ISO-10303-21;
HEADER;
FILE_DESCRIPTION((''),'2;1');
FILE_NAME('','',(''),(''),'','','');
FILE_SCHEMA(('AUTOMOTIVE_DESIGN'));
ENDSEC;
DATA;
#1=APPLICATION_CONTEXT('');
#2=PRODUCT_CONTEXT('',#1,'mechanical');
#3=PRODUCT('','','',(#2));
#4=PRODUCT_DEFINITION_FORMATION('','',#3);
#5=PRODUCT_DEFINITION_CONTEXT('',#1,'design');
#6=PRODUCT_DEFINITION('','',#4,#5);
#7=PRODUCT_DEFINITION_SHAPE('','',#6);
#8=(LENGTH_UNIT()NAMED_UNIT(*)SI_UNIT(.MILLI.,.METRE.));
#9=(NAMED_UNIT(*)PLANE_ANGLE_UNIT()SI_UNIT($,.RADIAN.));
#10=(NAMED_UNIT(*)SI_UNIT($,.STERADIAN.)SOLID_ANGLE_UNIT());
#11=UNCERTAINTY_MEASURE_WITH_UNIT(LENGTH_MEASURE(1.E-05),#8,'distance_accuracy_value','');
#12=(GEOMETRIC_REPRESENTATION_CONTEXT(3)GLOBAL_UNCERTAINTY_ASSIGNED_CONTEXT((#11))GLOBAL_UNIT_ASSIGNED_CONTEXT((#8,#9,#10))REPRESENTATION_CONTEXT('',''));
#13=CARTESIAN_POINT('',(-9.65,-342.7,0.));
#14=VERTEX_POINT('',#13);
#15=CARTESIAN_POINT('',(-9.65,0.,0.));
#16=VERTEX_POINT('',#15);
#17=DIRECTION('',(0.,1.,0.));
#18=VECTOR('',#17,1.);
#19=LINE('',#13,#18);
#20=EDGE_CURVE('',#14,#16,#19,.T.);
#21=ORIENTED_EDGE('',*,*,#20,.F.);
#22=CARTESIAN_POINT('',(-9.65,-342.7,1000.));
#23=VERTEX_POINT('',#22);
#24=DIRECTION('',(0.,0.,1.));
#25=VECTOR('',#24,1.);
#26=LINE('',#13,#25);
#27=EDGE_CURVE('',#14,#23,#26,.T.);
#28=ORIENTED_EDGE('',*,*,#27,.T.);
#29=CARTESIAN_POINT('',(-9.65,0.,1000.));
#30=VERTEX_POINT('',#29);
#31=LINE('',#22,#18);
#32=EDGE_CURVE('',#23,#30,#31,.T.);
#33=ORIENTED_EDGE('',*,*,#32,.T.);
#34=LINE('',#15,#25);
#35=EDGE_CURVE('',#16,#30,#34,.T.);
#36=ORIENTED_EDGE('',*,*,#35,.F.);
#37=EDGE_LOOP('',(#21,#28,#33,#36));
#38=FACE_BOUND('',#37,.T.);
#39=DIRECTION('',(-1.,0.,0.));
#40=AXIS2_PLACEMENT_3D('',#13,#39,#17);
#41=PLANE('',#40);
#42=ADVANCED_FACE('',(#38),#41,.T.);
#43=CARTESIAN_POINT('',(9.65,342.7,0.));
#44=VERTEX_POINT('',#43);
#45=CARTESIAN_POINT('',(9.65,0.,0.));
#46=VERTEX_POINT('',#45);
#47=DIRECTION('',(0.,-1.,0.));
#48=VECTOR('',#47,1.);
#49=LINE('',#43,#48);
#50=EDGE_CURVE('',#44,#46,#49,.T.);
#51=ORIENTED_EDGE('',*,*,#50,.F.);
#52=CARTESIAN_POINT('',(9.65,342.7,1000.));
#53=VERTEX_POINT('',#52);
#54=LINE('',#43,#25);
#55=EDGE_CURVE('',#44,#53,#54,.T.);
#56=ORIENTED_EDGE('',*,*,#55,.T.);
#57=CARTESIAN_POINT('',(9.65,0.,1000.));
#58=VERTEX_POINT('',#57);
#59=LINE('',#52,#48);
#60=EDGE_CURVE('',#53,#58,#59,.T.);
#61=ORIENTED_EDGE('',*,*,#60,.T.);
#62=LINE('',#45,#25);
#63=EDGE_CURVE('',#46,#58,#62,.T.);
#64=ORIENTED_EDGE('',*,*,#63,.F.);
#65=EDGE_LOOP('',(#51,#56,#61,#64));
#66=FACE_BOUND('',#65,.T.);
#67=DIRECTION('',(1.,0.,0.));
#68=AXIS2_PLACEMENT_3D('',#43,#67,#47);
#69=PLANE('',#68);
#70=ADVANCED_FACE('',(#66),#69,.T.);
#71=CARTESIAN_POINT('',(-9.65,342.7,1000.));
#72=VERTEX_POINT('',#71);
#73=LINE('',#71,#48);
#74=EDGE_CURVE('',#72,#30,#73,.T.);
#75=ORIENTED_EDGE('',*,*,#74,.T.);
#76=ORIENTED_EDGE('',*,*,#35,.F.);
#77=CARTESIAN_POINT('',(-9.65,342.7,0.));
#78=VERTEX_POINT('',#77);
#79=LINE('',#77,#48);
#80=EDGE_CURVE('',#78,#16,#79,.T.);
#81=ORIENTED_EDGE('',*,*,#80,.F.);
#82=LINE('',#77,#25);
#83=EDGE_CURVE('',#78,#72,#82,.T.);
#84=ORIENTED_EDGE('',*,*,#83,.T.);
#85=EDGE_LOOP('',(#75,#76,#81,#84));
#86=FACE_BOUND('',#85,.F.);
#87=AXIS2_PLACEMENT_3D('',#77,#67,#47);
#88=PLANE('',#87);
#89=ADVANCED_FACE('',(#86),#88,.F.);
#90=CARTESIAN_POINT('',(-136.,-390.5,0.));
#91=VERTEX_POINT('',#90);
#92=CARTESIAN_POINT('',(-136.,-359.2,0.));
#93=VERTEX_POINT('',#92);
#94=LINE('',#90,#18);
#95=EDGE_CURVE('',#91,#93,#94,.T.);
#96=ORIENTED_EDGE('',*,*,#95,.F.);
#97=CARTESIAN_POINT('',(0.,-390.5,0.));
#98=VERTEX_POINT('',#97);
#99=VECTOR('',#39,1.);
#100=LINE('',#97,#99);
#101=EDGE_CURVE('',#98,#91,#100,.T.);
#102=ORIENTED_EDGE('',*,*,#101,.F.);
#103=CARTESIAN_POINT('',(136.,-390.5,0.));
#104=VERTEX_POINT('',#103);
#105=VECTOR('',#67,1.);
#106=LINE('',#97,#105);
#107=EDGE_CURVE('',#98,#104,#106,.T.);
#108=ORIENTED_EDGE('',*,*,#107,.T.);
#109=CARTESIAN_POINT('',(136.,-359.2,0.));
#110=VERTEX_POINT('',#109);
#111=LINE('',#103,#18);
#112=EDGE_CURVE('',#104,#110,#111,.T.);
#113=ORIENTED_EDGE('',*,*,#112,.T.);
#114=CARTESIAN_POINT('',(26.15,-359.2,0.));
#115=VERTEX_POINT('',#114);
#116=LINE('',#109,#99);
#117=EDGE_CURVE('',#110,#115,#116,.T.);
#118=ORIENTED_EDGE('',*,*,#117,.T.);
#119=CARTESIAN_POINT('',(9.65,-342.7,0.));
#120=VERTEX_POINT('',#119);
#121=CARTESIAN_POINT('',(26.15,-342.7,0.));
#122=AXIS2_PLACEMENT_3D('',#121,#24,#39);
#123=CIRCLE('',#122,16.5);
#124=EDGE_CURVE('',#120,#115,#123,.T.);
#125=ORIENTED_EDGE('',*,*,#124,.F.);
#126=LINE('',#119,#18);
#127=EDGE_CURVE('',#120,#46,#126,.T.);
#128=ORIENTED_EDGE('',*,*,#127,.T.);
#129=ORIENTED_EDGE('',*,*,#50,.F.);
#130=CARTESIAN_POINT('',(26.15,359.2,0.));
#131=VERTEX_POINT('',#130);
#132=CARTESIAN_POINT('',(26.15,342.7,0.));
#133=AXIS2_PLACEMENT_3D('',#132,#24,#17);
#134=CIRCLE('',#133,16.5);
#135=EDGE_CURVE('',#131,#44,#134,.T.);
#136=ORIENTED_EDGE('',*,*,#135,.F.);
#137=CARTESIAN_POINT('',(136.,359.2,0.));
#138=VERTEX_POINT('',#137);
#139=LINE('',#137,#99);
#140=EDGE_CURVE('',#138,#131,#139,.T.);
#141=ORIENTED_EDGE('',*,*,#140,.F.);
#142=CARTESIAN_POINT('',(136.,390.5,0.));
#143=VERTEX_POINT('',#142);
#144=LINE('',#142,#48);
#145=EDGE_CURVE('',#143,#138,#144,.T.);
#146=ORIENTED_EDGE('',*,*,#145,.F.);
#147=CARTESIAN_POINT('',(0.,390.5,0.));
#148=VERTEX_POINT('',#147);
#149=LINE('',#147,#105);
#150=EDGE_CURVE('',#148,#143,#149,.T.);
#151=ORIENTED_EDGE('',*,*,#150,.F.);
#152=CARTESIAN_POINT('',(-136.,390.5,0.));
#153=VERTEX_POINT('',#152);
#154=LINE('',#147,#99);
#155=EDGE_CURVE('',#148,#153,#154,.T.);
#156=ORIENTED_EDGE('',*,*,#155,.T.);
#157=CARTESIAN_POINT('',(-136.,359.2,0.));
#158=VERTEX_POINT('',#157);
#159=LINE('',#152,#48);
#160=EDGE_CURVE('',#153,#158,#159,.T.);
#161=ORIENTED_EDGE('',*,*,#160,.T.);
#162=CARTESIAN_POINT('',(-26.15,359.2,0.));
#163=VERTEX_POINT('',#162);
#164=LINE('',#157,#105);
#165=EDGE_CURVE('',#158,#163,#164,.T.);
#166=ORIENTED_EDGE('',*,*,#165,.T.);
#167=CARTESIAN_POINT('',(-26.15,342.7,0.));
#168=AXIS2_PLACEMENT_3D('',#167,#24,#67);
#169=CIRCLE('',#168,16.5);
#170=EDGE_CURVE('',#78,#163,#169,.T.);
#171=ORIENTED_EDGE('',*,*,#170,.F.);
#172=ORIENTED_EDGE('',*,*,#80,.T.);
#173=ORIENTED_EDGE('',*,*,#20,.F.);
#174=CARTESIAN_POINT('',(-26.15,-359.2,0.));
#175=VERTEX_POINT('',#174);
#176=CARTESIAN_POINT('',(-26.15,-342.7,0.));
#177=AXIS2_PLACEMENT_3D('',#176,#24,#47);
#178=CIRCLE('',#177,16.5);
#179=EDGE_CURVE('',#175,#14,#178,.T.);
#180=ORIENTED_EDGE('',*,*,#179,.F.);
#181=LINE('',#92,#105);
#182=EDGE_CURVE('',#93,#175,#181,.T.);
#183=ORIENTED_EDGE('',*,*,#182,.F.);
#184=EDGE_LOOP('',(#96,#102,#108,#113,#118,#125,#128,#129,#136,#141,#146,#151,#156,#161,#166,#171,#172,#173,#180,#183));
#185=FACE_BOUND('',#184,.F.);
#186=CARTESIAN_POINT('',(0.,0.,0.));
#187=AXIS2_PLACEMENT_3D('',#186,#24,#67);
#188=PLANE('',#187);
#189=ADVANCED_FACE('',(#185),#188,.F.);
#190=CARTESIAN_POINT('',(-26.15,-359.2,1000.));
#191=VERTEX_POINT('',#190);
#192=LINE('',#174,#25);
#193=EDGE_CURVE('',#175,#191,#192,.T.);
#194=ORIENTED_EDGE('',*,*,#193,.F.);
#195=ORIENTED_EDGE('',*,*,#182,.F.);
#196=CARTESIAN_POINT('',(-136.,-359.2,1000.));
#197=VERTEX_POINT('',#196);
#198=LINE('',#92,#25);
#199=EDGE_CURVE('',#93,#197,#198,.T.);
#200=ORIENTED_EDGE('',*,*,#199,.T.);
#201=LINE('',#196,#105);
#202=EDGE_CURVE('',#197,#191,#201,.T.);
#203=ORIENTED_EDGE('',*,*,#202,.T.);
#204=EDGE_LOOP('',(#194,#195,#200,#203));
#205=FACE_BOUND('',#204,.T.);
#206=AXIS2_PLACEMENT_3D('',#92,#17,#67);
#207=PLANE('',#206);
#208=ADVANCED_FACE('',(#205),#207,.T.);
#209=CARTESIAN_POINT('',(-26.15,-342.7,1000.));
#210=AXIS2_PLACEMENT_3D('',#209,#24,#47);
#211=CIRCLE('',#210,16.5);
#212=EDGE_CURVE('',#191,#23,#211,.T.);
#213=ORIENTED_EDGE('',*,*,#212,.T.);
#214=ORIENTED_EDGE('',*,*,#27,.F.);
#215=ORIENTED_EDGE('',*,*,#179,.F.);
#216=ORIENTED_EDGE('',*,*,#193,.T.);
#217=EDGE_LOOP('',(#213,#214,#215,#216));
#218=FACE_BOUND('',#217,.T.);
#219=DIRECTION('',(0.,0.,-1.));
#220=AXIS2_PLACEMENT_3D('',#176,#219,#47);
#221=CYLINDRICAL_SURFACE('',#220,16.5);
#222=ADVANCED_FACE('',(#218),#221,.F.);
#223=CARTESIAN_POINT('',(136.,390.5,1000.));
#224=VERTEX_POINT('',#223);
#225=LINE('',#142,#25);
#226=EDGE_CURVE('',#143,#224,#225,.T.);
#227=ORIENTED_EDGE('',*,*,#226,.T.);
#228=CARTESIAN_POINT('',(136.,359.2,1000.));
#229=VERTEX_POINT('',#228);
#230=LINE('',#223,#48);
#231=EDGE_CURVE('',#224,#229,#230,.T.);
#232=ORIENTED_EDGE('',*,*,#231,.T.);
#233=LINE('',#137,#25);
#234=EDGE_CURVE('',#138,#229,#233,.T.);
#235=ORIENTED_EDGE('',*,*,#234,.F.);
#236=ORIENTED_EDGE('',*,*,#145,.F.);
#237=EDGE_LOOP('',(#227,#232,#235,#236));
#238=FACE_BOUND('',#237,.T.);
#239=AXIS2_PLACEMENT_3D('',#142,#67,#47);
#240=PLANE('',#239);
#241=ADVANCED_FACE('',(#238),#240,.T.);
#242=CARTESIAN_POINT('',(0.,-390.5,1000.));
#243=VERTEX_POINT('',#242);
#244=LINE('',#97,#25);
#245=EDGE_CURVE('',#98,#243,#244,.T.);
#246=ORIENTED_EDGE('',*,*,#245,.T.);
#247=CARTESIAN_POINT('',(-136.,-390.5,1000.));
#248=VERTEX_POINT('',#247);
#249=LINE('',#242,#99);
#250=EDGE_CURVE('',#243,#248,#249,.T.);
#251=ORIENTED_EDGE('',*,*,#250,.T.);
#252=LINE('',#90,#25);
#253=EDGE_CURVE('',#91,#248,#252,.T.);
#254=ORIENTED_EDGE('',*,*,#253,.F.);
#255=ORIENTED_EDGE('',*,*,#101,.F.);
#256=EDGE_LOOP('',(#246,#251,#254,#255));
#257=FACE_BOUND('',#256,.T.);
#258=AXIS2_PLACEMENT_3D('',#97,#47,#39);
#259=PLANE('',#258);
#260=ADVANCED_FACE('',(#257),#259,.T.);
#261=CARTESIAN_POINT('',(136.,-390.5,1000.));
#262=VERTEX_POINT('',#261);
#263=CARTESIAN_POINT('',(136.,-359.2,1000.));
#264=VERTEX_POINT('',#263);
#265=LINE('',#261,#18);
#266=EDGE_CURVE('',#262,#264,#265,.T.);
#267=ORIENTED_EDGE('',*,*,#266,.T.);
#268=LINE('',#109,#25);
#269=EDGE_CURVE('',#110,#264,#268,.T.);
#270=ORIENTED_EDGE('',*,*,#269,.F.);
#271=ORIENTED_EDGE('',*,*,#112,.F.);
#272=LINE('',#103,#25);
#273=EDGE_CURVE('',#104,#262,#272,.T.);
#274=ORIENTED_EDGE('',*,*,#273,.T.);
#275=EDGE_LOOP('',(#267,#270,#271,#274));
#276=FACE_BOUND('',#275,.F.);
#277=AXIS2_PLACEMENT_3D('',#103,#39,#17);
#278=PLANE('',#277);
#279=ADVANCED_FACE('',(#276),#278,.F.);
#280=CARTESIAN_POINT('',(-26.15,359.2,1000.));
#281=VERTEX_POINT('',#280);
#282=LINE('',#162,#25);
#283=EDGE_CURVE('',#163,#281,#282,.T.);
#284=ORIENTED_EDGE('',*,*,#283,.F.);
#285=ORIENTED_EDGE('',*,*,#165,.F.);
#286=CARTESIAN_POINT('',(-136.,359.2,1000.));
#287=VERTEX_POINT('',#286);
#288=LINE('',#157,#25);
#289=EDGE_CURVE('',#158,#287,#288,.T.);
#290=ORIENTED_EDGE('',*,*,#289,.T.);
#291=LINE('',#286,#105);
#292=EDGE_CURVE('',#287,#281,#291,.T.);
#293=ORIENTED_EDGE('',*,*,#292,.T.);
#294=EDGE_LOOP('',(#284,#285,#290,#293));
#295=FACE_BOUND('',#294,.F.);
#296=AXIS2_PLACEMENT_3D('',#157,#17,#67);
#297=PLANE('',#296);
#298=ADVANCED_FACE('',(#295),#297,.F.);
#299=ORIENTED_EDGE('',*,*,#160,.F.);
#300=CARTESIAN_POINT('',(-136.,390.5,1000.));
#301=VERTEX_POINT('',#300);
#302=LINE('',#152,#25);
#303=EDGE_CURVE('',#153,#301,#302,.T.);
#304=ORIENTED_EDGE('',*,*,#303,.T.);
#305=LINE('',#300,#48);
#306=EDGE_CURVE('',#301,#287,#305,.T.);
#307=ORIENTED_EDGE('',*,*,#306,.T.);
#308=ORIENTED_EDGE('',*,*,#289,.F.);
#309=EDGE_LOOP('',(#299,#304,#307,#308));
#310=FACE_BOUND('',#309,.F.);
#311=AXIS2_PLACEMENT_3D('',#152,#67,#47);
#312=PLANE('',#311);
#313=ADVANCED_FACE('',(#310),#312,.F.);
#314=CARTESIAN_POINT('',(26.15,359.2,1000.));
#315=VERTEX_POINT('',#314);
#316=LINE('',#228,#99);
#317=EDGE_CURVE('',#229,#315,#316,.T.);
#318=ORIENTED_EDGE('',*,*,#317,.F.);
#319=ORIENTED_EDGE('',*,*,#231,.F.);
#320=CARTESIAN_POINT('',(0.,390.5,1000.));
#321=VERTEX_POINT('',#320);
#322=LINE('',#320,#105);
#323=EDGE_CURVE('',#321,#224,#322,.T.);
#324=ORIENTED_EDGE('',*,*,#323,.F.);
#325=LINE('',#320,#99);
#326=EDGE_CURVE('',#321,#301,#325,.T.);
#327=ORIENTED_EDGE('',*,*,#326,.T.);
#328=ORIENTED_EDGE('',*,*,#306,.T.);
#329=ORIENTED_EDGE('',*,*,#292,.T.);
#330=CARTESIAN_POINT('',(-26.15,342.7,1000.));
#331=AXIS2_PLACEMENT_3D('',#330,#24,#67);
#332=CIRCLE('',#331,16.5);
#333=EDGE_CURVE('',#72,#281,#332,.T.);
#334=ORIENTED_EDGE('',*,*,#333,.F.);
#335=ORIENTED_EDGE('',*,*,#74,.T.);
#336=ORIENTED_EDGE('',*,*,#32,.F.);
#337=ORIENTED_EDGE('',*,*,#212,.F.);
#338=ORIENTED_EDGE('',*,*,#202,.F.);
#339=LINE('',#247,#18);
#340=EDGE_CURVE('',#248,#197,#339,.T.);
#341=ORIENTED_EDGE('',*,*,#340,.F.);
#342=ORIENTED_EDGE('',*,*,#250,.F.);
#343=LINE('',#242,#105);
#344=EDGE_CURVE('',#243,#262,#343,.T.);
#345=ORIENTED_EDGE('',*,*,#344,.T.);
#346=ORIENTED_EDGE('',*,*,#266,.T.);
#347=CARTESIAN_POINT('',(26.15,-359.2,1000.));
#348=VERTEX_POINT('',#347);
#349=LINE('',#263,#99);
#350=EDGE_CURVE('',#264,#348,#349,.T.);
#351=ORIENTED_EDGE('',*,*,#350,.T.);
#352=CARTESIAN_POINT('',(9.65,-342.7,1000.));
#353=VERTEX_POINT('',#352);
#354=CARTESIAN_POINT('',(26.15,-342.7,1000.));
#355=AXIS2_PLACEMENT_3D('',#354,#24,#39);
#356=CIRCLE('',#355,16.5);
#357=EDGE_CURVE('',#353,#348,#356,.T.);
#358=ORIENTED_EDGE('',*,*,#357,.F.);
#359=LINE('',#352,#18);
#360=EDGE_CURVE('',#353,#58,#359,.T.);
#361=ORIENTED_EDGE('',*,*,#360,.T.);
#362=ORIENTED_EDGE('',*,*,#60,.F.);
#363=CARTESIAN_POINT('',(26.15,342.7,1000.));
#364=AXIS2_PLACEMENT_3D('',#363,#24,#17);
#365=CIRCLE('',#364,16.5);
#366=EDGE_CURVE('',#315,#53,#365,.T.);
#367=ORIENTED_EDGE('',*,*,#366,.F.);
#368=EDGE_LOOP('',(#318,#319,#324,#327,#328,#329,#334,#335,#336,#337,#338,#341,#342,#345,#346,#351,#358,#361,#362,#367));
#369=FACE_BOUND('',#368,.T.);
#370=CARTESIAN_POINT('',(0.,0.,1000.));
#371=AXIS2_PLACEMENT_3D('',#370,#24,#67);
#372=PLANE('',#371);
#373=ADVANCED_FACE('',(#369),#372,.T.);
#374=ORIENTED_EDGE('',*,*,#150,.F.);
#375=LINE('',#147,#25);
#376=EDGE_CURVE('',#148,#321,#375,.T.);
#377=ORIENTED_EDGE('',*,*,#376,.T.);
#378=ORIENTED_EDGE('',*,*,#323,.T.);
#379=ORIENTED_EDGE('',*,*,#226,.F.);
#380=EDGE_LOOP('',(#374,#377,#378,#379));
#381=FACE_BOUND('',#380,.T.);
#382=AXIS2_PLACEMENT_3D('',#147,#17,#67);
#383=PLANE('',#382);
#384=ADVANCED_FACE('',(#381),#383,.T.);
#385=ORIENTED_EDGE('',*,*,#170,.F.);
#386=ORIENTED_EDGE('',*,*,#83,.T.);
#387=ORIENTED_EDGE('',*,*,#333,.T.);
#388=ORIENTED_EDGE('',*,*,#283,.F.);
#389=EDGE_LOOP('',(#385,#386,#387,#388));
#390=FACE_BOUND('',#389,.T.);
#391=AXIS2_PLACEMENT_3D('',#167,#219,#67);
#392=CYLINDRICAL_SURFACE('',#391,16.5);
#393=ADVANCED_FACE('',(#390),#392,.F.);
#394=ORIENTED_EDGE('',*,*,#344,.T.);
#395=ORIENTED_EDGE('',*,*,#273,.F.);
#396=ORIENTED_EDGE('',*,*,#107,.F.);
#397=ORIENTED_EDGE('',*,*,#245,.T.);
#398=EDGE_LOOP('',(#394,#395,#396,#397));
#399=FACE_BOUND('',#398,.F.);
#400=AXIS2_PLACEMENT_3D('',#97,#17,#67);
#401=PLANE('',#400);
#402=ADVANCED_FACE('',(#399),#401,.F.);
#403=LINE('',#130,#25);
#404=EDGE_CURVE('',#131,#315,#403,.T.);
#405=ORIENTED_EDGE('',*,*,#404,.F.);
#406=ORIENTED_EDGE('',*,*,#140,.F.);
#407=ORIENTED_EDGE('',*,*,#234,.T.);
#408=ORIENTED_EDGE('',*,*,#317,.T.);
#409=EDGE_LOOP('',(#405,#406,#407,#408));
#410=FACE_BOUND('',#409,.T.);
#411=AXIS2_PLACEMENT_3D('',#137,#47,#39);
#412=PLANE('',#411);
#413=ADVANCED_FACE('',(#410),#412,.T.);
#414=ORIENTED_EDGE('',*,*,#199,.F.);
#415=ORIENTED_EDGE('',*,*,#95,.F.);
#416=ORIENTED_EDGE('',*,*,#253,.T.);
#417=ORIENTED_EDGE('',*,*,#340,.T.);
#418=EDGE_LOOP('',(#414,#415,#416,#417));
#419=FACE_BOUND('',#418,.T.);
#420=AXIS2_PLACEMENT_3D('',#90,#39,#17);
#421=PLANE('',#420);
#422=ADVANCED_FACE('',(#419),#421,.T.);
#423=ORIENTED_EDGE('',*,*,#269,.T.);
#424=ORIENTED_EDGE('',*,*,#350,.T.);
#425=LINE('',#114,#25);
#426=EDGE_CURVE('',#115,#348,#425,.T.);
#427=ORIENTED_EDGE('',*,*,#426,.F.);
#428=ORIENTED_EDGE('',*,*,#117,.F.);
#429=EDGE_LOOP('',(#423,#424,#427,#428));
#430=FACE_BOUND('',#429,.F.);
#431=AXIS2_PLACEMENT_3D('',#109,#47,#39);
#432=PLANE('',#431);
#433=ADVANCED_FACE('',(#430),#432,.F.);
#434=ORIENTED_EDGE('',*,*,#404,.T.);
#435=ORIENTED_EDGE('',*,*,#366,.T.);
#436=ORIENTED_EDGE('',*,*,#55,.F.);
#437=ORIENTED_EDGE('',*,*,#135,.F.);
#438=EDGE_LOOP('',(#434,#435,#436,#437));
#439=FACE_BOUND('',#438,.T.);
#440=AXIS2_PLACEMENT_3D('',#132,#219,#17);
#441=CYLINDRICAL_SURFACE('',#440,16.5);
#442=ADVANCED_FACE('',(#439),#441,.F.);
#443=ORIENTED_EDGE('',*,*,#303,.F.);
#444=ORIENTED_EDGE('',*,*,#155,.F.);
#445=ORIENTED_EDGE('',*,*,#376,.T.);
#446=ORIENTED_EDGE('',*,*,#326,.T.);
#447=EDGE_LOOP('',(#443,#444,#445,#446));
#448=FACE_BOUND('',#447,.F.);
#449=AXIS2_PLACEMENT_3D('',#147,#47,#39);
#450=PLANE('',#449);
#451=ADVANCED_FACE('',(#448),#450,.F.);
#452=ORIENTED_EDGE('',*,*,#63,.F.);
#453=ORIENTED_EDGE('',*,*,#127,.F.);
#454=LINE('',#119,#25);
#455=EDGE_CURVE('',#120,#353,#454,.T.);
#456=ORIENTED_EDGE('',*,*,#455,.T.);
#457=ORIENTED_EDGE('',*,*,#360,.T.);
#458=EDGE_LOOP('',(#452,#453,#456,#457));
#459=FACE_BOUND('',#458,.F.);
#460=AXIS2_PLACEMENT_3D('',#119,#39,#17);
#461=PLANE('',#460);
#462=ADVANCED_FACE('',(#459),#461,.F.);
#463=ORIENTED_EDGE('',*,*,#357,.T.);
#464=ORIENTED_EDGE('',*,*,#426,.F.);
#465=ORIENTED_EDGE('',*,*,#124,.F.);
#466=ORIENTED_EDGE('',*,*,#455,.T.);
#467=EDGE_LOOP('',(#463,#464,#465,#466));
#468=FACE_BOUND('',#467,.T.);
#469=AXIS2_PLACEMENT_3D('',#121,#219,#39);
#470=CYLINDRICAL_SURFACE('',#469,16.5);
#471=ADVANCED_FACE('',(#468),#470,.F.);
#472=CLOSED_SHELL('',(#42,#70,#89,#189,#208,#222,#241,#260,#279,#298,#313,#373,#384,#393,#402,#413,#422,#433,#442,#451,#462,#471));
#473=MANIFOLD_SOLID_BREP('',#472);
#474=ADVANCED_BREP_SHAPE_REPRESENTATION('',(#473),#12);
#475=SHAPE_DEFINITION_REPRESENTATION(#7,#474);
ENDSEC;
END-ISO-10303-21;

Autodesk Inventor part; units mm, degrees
ref_plane "YZ Plane" through (0, 0, 0) normal (1, 0, 0) x (0, 1, 0)
ref_plane "Start plane" through (0, 0, 0) normal (0, 0, 1) x (1, 0, 0)
ref_plane "End plane" through (0, 0, 1000) normal (0, 0, 1) x (1, 0, 0)
sketch "Sketch" plane through (0, 0, 0) normal (0, 0, 1) x (1, 0, 0)
  line L0 (-136, -390.5) -> (-136, -359.2)
  line L1 (-136, -359.2) -> (-26.15, -359.2)
  line L2 (-9.65, -342.7) -> (-9.65, 0)
  line L3 (-9.65, 0) -> (0, 0) construction
  line L4 (0, 0) -> (0, -390.5) construction
  line L5 (0, -390.5) -> (-136, -390.5)
  line L6 (-60, 0) -> (80, 0) construction
  line L7 (0, -60) -> (0, 80) construction
  line L8 (136, -390.5) -> (136, -359.2)
  line L9 (136, -359.2) -> (26.15, -359.2)
  line L10 (9.65, -342.7) -> (9.65, 0)
  line L11 (9.65, 0) -> (0, 0) construction
  line L12 (0, -390.5) -> (136, -390.5)
  line L13 (-136, 390.5) -> (-136, 359.2)
  line L14 (-136, 359.2) -> (-26.15, 359.2)
  line L15 (-9.65, 342.7) -> (-9.65, 0)
  line L16 (0, 390.5) -> (-136, 390.5)
  line L17 (136, 390.5) -> (136, 359.2)
  line L18 (136, 359.2) -> (26.15, 359.2)
  line L19 (0, 390.5) -> (136, 390.5)
  line L20 (9.65, 342.7) -> (9.65, 0)
  arc A0 (-9.65, 342.7) -> (-26.15, 359.2) centre (-26.15, 342.7) ccw
  arc A1 (26.15, 359.2) -> (9.65, 342.7) centre (26.15, 342.7) ccw
  arc A2 (9.65, -342.7) -> (26.15, -359.2) centre (26.15, -342.7) ccw
  arc A3 (-26.15, -359.2) -> (-9.65, -342.7) centre (-26.15, -342.7) ccw
  line L21 (0, 108) -> (0, -88) construction
  line L22 (-88, 0) -> (108, 0) construction
  point P0 (-9.65, -359.2)
  point P1 (9.65, -359.2)
  point P2 (-9.65, 359.2)
  point P3 (9.65, 359.2)
  dimension "d1" = 390.5
  dimension "d2" = 31.3
  dimension "d3" = 136
  dimension "d4" = 9.65
  dimension "d10" = 16.5
extrude "Body" add sketch "Sketch" along normal up to surface (1000 mm away) from surface at 0
sketch "Sketch4" plane through (0, 0, 0) normal (0, 0, 1) x (1, 0, 0)
  line L0 (0, 0) -> (10, 0)
ref_plane "Work Plane3" through (0, 0, 0) normal (0, -1, 0) x (1, 0, 0)
sketch "Sketch5" plane through (0, 0, 0) normal (0, -1, 0) x (1, 0, 0)
  line L0 (-2, 0) -> (12, 0) projected
  line L1 (-2, 1000) -> (12, 1000) projected
  dimension "d14" = 1000
equation "\"d1\" = 0.5 * G_H"
equation "\"d2\" = G_T1"
equation "\"d3\" = 0.5 * G_W"
equation "\"d4\" = 0.5 * G_T"
equation "\"d10\" = G_IR"
equation "\"d5\" = G_L"
equation "\"G_W\" = 272"
equation "\"G_H\" = 781"
equation "\"G_T\" = 19.3"
equation "\"G_T1\" = 31.3"
equation "\"G_IR\" = 16.5"
equation "\"G_L\" = d14"
equation "\"G_OFFSET_START\" = 0"
equation "\"G_OFFSET_END\" = 0"
properties part number "AS 3679-1990 - 760 UB - 244 - 1000" material "Steel, Mild"
